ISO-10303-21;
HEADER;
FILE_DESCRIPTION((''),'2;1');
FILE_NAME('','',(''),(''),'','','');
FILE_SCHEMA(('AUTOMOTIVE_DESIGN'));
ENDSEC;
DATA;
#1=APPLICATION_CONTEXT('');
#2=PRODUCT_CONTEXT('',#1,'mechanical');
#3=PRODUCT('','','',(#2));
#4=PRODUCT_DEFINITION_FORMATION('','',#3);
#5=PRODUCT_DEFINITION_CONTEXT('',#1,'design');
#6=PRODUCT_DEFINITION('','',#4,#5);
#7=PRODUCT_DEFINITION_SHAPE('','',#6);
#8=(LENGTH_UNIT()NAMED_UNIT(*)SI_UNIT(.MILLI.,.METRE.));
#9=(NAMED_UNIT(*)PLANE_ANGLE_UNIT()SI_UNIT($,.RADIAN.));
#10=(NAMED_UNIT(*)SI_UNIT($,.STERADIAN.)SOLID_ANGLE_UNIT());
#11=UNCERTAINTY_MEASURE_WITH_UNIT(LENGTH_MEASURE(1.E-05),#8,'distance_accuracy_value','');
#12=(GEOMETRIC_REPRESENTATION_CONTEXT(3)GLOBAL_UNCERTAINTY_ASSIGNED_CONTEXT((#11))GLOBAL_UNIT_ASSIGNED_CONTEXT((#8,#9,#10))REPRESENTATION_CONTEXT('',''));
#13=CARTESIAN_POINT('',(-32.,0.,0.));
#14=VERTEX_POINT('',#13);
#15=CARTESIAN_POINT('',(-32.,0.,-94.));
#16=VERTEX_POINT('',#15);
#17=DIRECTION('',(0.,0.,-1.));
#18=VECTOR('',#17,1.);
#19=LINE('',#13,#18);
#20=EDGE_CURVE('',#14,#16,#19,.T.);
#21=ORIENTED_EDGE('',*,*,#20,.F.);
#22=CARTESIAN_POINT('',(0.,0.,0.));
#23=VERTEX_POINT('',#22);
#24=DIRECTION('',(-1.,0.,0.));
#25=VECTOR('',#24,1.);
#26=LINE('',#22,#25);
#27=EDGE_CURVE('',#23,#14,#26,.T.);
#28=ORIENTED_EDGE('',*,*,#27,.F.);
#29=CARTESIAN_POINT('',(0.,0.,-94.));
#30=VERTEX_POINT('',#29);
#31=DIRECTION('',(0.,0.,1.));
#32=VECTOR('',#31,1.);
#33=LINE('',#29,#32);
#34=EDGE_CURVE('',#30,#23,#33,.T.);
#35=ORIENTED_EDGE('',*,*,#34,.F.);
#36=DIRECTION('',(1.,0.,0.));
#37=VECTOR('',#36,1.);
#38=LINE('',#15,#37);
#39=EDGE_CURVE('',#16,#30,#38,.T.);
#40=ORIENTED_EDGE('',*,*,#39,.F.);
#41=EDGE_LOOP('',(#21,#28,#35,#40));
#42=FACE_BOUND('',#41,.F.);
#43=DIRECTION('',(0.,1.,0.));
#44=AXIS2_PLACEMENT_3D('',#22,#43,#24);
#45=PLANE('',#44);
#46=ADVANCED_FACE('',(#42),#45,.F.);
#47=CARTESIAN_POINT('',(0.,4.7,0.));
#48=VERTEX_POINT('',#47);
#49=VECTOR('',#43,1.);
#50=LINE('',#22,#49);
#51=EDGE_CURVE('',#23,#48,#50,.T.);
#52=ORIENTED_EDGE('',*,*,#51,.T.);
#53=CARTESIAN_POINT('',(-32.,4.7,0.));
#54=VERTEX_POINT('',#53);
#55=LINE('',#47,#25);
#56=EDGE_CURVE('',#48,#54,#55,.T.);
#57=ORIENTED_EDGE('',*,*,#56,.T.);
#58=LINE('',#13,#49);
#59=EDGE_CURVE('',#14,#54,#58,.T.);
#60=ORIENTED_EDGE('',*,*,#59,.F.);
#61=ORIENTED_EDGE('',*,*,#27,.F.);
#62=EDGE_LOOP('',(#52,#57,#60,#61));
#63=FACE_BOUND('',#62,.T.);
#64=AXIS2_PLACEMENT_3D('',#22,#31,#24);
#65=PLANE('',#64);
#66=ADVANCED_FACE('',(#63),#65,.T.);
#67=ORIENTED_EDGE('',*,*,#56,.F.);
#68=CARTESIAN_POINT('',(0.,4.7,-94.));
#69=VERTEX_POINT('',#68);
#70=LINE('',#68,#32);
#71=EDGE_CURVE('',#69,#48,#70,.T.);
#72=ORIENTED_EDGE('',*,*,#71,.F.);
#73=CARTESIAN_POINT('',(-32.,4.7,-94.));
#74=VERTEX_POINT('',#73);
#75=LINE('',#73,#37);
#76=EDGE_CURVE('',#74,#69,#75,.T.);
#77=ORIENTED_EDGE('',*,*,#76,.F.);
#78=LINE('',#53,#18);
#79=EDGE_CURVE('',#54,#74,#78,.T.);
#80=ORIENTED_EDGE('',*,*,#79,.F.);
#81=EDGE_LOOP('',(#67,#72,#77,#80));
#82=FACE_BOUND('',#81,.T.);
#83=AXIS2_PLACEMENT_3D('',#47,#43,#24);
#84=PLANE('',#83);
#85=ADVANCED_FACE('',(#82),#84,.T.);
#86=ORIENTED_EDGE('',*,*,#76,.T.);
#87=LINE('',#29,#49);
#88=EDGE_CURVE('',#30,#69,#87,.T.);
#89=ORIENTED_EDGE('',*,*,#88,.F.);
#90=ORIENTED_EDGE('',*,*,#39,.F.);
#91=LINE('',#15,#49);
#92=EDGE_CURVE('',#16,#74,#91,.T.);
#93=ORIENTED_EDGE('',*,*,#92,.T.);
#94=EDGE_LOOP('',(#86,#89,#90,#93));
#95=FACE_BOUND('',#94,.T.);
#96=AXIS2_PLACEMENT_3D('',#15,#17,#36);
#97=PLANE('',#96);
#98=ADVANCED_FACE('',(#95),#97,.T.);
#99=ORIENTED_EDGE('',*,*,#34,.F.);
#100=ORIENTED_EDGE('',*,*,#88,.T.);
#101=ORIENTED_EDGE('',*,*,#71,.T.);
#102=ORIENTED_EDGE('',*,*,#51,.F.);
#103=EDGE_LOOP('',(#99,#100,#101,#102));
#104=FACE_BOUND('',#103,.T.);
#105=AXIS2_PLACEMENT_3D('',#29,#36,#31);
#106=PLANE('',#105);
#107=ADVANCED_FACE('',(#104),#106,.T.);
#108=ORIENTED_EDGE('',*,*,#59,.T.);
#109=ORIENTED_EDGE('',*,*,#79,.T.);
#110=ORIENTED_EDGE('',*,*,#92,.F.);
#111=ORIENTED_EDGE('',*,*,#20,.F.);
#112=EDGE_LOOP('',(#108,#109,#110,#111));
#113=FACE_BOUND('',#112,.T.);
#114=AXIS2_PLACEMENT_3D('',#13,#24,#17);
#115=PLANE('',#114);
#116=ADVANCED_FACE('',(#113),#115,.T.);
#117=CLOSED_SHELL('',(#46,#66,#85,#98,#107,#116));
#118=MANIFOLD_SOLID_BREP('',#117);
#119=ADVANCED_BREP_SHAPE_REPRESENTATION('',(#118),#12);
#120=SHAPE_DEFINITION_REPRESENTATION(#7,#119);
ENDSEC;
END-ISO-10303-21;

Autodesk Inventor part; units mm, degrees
ref_plane "YZ Plane" through (0, 0, 0) normal (1, 0, 0) x (0, 1, 0)
ref_plane "XZ Plane" through (0, 0, 0) normal (0, 1, 0) x (-1, 0, 0)
ref_plane "XY Plane" through (0, 0, 0) normal (0, 0, 1) x (1, 0, 0)
sketch "Sketch1" plane through (0, 0, 0) normal (0, 1, 0) x (-1, 0, 0)
  line L0 (0, 0) -> (32, 0)
  line L1 (32, 0) -> (32, -94)
  line L2 (32, -94) -> (0, -94)
  line L3 (0, -94) -> (0, 0)
  dimension "d0" = 94
  dimension "d1" = 32
extrude "Extrusion1" add sketch "Sketch1" along normal blind 4.7
properties part number "Display"
